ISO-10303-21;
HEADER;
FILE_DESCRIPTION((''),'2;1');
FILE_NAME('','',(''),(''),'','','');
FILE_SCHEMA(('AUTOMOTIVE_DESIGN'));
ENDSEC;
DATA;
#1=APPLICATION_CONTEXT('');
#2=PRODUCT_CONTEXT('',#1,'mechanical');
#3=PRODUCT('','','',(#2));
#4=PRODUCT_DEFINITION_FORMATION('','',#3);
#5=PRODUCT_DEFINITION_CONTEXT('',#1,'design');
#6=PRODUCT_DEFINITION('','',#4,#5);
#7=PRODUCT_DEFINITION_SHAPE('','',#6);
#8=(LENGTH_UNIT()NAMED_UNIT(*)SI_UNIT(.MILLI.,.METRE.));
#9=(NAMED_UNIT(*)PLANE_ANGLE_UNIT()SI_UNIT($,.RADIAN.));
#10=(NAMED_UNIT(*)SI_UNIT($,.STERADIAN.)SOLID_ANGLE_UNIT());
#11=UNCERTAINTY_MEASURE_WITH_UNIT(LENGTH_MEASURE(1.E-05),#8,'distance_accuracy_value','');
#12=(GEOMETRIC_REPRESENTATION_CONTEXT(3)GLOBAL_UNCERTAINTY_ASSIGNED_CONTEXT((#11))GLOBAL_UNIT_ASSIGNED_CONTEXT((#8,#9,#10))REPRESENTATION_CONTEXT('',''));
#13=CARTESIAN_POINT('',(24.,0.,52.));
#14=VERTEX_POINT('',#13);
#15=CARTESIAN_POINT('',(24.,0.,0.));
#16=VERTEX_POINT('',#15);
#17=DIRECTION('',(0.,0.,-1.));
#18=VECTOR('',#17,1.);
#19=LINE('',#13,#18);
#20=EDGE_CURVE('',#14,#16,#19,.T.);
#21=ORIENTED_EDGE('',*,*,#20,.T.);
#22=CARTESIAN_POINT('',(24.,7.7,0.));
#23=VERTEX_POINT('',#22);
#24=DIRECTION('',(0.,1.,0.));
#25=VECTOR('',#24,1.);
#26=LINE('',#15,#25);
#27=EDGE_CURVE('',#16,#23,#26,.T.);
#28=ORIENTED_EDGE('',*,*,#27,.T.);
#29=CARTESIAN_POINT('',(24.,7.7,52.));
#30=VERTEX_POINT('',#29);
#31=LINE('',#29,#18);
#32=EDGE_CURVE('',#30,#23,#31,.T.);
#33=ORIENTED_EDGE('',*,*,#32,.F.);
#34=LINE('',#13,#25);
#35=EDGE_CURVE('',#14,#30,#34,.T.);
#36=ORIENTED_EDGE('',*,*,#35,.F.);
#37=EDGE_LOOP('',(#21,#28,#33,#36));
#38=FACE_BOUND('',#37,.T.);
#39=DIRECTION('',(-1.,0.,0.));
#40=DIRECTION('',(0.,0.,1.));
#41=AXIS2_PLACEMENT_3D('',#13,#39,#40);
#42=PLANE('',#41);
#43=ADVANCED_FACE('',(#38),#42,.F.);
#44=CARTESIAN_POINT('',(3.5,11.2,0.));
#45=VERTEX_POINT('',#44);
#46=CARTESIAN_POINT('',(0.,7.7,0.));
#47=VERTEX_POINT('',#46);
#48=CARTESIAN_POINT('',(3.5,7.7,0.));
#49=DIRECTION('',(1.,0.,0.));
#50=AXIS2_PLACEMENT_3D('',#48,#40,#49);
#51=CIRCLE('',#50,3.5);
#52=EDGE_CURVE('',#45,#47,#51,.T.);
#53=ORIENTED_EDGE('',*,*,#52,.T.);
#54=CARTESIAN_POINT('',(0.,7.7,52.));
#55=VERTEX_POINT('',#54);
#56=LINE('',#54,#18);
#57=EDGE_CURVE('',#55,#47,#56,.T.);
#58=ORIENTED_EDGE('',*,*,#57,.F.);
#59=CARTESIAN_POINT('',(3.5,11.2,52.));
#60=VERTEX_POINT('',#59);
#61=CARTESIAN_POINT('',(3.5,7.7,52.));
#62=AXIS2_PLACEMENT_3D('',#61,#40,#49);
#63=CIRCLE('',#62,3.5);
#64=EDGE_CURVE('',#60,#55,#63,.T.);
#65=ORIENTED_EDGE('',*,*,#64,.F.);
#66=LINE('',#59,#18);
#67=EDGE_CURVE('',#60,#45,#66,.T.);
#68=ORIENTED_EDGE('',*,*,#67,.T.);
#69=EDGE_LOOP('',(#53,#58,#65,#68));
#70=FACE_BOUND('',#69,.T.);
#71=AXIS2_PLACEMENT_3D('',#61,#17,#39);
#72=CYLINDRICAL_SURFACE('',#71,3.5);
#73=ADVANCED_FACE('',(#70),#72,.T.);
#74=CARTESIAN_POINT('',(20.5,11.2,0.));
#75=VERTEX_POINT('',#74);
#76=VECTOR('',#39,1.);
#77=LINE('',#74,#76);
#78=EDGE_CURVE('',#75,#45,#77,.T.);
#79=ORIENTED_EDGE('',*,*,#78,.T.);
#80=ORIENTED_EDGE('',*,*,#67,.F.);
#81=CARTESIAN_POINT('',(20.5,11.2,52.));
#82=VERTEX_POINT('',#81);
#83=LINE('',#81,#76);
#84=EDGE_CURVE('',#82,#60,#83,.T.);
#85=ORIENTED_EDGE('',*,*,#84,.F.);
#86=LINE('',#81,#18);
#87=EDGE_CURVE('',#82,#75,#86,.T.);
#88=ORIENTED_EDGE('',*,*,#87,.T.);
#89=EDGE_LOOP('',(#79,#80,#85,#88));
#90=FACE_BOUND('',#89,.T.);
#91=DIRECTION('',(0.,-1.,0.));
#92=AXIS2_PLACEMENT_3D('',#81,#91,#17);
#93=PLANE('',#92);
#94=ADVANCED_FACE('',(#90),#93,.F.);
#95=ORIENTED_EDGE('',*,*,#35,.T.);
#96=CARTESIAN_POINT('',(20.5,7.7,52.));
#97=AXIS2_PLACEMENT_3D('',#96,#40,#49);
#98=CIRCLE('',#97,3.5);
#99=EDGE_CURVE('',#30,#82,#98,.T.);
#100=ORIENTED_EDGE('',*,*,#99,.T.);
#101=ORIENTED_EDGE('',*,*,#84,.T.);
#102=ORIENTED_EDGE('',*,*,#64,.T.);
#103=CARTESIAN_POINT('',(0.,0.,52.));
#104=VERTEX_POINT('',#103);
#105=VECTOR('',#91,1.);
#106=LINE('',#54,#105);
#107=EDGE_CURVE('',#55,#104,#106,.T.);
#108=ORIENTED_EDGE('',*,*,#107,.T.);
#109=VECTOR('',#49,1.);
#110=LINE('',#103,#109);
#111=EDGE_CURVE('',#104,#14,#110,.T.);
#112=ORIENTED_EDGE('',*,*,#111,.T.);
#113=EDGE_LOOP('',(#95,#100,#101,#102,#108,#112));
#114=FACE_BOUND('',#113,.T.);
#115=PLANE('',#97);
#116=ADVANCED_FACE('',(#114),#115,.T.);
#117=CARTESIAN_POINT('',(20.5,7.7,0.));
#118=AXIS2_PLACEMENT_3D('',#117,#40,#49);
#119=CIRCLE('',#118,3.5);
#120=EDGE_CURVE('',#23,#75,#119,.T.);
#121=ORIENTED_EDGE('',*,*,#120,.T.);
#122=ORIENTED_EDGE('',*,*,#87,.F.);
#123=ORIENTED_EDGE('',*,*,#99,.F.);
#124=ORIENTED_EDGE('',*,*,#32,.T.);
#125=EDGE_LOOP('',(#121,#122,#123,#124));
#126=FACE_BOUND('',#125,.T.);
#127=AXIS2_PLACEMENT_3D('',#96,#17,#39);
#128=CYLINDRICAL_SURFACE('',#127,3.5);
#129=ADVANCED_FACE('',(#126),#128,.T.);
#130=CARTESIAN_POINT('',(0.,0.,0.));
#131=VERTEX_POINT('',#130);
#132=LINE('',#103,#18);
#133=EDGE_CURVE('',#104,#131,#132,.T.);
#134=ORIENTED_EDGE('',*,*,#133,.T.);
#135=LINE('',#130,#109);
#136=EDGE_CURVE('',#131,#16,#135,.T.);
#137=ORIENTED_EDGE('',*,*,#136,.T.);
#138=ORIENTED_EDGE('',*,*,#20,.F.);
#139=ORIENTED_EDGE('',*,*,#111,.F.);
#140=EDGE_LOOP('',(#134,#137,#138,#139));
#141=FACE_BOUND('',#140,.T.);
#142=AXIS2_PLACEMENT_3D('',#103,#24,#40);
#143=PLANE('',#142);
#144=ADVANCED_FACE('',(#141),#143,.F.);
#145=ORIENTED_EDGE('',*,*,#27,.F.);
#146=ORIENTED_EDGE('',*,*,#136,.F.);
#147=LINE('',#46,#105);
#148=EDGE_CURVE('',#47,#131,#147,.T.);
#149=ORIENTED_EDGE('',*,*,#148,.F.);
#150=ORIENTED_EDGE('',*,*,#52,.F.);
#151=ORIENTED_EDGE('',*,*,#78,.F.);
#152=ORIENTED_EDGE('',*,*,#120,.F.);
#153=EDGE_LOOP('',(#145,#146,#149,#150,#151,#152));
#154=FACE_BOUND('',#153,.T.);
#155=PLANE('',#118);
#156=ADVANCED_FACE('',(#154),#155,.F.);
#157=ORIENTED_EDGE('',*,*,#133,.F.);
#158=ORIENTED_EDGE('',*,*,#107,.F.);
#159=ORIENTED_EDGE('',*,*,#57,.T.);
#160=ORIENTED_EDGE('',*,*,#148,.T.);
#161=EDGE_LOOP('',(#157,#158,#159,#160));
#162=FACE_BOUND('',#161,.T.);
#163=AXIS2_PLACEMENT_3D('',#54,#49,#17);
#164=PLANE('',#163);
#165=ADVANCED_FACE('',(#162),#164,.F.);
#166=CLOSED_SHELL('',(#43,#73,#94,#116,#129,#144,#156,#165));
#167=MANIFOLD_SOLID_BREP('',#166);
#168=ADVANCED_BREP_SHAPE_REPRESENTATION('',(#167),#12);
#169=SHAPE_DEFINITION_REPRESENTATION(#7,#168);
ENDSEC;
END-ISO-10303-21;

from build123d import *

# Parameters (mm, degrees)
BOSS_EXTRUDE1_DEPTH = 52


with BuildPart() as part:
    # Sketch2 → Boss-Extrude1 (new body)
    with BuildSketch(Plane.XY):
        with BuildLine():
            Line((0, 0), (24, 0))
            Line((24, 0), (24, 7.7))
            ThreePointArc((24, 7.7), (22.974873734, 10.174873734), (20.5, 11.2))
            Line((20.5, 11.2), (3.5, 11.2))
            ThreePointArc((3.5, 11.2), (1.025126266, 10.174873734), (0, 7.7))
            Line((0, 7.7), (0, 0))
        make_face()
    extrude(amount=BOSS_EXTRUDE1_DEPTH)


solid = part.part
